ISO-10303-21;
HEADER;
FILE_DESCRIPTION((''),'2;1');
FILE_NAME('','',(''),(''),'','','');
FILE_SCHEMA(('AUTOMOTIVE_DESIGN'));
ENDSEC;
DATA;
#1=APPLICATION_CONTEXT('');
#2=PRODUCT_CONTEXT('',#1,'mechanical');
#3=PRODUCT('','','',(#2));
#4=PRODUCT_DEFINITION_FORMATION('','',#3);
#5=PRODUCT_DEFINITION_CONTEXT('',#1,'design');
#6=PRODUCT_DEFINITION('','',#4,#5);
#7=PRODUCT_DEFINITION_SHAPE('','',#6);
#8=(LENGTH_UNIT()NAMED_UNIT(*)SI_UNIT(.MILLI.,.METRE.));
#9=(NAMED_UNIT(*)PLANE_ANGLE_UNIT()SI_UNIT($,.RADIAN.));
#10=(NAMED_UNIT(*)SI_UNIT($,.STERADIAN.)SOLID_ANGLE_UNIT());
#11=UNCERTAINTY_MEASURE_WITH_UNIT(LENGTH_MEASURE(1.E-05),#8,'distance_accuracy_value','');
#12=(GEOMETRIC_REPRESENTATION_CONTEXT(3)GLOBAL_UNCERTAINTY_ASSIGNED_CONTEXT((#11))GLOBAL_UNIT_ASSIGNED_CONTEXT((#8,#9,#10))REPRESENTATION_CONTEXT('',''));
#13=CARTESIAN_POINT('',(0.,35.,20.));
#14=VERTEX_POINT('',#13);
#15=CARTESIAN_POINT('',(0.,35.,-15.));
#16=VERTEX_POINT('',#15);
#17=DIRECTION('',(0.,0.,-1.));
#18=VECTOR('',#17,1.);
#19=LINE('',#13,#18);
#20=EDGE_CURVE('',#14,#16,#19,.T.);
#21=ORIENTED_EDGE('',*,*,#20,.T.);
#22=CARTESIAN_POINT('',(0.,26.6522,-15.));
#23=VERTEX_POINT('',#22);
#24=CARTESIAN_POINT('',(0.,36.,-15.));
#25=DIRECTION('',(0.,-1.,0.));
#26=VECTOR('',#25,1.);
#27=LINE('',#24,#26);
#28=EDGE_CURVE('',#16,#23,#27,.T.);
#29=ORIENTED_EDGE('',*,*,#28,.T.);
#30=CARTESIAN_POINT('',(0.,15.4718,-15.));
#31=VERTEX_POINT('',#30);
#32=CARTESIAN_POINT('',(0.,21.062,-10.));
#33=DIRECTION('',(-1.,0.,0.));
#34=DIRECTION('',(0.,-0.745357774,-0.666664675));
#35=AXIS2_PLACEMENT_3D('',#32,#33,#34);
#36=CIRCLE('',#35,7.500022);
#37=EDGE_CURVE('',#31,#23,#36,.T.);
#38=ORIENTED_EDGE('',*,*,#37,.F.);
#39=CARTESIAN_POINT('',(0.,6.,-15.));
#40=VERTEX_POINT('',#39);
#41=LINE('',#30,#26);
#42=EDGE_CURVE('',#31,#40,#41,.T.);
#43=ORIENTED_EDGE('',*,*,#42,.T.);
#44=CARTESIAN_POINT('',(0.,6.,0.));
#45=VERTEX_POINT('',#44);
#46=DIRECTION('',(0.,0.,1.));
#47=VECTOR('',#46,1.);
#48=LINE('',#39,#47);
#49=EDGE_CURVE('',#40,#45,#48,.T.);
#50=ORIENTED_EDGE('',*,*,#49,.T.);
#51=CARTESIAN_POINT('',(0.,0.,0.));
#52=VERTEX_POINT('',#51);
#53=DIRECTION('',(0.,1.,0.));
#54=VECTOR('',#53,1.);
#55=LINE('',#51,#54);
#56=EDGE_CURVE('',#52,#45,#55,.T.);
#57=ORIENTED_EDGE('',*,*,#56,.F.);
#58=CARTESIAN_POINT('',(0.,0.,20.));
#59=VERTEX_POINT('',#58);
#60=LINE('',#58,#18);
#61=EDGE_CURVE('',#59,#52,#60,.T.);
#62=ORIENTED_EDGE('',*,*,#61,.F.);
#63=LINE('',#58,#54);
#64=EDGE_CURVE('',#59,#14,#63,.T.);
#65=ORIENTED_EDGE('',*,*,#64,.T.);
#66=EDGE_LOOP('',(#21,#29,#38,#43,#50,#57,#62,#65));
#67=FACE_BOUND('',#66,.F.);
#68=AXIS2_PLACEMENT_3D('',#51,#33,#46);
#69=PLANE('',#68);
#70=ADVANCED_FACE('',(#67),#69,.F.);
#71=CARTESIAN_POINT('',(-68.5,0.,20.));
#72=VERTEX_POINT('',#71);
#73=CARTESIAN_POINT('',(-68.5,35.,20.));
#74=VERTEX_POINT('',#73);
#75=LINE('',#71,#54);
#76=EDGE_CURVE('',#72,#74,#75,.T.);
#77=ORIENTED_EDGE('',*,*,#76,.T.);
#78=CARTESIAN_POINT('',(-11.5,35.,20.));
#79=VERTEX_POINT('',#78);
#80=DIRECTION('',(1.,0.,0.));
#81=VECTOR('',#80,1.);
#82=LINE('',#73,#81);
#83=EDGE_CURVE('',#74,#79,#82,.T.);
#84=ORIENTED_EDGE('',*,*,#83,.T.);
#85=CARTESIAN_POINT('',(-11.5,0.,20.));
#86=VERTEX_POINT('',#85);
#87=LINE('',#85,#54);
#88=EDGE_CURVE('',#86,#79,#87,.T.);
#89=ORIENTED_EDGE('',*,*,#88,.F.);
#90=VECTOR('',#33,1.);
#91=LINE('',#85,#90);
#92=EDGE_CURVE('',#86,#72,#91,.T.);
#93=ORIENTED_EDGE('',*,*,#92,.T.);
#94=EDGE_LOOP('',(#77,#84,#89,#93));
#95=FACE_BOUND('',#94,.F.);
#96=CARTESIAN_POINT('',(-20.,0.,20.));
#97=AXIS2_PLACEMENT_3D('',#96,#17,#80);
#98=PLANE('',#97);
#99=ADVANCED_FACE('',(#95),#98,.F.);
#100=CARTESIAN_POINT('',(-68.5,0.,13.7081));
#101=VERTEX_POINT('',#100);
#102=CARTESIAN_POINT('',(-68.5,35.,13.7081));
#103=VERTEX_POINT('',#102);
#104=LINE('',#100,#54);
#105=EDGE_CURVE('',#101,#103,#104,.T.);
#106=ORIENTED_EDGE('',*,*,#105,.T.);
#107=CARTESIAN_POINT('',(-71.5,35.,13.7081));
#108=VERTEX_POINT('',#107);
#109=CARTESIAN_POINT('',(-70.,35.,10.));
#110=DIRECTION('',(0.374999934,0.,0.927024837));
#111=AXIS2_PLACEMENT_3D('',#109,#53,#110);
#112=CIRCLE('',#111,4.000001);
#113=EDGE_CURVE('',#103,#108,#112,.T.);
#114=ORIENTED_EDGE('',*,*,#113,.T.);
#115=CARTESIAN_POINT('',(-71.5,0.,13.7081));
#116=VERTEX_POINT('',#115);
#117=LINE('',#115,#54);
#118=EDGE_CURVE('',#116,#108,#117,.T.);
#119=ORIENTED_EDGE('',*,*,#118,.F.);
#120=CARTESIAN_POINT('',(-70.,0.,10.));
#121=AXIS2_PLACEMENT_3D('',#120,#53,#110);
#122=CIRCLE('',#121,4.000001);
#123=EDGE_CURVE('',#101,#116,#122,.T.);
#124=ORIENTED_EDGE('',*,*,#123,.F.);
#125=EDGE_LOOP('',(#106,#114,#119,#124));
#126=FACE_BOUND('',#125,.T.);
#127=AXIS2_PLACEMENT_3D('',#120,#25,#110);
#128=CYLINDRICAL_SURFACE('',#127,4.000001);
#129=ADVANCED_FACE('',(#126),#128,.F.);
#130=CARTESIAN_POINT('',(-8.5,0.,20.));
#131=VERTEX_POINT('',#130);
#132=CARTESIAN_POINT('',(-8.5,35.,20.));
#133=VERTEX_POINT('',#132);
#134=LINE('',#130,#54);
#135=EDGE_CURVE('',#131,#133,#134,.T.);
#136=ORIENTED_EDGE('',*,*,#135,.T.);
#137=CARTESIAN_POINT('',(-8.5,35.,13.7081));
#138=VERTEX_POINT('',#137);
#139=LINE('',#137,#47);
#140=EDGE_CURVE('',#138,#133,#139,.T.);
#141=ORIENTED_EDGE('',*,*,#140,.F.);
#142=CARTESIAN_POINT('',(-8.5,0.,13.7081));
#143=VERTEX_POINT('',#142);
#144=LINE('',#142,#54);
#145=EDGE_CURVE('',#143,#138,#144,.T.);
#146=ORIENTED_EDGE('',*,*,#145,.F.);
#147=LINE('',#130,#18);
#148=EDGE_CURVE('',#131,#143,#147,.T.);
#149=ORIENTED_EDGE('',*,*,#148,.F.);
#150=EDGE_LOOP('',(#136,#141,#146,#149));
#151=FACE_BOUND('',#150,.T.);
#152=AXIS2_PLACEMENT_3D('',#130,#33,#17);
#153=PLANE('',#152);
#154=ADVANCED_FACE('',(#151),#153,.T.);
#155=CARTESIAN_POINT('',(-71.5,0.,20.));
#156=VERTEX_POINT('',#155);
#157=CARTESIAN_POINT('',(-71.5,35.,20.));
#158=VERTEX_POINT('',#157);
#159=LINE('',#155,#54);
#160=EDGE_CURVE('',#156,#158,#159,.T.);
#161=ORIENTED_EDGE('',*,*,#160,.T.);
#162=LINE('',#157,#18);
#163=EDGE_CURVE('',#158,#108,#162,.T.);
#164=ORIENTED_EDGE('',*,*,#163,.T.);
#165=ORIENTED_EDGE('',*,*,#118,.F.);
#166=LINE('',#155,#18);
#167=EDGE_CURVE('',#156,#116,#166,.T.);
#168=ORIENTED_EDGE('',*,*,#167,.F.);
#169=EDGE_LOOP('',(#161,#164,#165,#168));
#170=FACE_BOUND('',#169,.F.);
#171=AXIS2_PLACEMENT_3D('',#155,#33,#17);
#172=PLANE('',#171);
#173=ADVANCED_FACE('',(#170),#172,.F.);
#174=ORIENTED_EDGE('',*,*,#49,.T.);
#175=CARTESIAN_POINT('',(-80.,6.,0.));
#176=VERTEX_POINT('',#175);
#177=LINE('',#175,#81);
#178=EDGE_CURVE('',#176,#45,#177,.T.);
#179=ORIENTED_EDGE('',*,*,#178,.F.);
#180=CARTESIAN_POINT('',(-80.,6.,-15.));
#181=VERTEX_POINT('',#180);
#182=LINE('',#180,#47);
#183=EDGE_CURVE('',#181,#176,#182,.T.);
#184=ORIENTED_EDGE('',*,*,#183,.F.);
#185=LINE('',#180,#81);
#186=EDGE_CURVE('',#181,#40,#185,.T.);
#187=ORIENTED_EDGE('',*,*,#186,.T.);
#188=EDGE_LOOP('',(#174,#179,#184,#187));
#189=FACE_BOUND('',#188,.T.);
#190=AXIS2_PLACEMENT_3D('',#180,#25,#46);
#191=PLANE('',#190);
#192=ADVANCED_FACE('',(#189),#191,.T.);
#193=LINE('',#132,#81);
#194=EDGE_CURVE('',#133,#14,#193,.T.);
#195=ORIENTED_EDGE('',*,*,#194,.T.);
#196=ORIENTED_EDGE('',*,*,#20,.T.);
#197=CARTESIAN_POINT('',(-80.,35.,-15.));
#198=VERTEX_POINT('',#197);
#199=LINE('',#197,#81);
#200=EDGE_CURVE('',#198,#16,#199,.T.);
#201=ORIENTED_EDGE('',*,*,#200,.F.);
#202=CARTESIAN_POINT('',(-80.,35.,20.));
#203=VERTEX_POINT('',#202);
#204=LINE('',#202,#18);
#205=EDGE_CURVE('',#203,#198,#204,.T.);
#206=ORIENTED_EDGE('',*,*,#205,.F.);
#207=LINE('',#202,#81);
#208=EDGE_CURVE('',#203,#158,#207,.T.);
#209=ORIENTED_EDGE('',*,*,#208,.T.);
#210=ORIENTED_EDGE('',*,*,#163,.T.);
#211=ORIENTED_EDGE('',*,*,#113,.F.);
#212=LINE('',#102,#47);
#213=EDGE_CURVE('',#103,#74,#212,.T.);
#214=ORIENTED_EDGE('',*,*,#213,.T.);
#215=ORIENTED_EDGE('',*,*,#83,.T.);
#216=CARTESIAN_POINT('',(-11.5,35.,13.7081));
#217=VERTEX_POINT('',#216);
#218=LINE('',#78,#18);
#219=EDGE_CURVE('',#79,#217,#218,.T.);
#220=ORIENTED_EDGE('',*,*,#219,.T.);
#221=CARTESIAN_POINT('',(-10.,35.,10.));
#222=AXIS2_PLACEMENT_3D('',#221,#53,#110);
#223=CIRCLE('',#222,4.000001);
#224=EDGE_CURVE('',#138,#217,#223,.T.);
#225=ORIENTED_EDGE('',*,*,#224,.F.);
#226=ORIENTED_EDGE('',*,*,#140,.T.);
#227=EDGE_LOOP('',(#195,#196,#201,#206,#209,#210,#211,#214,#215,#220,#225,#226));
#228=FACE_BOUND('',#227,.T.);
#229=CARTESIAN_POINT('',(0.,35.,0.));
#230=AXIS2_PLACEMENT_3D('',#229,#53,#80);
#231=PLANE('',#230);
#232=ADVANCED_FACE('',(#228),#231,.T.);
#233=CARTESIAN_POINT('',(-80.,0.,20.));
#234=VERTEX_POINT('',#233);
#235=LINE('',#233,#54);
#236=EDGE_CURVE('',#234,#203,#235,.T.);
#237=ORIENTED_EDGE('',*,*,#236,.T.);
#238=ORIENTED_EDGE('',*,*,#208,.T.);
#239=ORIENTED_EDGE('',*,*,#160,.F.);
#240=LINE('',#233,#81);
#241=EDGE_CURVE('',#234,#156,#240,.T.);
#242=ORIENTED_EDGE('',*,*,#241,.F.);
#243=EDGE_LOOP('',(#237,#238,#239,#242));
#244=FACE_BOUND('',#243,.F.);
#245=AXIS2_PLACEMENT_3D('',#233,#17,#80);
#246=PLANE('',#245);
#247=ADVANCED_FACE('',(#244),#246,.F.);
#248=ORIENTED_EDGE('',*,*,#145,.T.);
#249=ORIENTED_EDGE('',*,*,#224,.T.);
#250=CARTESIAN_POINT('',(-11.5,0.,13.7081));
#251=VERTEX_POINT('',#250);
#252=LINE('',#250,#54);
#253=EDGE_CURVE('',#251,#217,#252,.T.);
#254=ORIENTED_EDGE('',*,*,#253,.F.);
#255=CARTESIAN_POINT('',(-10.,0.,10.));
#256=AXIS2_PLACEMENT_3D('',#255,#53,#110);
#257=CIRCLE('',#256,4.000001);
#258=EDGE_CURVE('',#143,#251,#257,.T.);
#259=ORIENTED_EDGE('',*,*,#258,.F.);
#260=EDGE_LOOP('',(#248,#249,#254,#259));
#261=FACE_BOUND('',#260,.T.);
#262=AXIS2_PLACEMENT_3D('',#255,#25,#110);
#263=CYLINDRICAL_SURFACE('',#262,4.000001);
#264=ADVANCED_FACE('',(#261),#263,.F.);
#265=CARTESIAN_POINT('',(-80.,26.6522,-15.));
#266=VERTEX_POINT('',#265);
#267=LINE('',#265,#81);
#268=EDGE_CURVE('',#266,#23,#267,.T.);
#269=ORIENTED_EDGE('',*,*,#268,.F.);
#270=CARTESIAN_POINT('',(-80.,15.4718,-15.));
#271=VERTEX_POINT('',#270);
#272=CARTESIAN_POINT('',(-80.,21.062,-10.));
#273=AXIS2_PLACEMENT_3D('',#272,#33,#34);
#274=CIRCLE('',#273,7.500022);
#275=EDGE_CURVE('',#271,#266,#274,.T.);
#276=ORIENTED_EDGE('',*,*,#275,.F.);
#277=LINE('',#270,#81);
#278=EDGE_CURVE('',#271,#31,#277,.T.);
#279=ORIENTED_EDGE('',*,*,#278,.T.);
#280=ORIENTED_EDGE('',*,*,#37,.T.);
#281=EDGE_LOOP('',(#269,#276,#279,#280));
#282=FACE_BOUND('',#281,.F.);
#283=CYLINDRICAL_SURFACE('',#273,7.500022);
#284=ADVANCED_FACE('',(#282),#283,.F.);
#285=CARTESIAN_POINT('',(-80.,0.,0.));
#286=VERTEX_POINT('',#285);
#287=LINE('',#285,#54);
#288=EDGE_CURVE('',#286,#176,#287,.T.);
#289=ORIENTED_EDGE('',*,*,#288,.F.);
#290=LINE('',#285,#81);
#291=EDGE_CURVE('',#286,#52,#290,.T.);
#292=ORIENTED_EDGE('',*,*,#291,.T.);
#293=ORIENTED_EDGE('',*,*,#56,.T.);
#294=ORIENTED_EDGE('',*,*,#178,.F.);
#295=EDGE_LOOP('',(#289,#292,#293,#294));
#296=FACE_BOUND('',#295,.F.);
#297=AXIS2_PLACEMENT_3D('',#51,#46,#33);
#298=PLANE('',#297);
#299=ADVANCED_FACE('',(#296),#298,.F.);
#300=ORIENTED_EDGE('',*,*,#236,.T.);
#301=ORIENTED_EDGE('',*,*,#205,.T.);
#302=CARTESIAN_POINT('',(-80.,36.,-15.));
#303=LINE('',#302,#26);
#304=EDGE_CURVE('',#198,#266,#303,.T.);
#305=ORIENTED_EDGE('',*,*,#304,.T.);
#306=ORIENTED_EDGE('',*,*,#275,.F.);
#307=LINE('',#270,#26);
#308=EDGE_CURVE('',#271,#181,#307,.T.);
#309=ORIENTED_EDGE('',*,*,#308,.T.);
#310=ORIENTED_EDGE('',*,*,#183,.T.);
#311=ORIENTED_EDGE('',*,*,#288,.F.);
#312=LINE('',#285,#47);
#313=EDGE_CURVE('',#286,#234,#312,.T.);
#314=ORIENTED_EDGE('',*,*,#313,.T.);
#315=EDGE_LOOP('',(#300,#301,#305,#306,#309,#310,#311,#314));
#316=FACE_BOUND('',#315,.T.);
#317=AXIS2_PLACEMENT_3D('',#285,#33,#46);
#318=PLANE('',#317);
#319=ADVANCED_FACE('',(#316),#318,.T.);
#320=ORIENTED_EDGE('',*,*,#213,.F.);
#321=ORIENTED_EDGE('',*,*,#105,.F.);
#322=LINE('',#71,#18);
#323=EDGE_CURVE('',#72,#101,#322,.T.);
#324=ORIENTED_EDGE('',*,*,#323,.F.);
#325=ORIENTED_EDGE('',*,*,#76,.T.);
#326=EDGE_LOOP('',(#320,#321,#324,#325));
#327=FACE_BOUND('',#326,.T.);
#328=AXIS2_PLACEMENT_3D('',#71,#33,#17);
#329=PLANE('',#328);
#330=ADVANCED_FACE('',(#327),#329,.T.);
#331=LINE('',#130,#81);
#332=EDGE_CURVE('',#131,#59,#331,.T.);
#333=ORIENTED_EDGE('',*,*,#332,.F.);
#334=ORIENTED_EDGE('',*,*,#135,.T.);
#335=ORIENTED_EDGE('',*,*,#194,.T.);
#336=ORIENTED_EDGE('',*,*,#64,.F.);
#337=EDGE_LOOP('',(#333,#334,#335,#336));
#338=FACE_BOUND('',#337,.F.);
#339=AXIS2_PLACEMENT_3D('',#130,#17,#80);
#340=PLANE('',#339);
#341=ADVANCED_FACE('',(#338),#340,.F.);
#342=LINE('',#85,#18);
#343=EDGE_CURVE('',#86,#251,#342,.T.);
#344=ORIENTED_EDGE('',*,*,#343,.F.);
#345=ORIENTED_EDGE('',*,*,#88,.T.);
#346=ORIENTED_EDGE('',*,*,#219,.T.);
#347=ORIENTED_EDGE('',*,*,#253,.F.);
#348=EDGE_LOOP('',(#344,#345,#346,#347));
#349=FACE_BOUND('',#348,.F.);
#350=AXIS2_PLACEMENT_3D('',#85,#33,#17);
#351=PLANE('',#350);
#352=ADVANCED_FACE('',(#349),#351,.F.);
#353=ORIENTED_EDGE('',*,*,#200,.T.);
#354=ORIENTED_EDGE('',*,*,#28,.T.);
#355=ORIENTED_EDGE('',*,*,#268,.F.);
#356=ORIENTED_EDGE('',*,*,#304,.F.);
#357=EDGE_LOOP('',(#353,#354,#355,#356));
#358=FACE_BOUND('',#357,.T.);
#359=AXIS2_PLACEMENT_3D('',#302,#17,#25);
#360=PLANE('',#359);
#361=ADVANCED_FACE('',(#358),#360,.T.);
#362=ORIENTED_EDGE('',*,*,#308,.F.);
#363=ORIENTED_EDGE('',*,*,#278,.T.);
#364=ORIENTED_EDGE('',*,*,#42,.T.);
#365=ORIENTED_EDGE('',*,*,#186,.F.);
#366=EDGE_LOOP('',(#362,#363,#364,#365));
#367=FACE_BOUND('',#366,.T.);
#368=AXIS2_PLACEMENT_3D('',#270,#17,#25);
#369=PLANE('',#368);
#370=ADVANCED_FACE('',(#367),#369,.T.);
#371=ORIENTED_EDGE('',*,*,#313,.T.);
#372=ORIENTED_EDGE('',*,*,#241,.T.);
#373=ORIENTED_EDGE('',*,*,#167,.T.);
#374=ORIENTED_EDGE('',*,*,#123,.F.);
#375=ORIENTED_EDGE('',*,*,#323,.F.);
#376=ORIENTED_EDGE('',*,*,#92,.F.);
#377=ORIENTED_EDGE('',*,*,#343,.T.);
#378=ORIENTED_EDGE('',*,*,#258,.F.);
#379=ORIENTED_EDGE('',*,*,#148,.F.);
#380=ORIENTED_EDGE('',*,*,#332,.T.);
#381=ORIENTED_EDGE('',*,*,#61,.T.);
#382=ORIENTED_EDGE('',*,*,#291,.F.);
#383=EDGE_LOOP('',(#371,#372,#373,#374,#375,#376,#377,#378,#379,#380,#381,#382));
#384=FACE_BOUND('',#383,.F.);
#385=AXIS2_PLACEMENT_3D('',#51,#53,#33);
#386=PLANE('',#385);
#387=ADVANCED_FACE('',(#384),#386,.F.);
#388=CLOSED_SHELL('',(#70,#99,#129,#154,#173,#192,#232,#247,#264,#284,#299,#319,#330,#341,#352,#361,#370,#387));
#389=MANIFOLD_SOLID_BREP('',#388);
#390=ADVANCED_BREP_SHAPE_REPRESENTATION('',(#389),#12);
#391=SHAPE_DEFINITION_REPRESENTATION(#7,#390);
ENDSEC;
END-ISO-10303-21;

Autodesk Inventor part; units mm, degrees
ref_plane "YZ Plane" through (0, 0, 0) normal (1, 0, 0) x (0, 1, 0)
ref_plane "XZ Plane" through (0, 0, 0) normal (0, 1, 0) x (-1, 0, 0)
ref_plane "XY Plane" through (0, 0, 0) normal (0, 0, 1) x (1, 0, 0)
sketch "Sketch1" plane through (0, 0, 0) normal (0, 1, 0) x (-1, 0, 0)
  arc A0 (8.5, 13.7081) -> (11.5, 13.7081) centre (10, 10) ccw
  line L0 (8.5, 20) -> (8.5, 13.7081)
  line L1 (11.5, 20) -> (11.5, 13.7081)
  line L2 (10, 20) -> (10, 18.7339)
  line L3 (20, 20) -> (10, 20)
  line L4 (8.5, 20) -> (0, 20)
  line L5 (0, 20) -> (0, 0)
  line L6 (0, 0) -> (20, 0)
  line L7 (20, 0) -> (20, 20)
  arc A1 (68.5, 13.7081) -> (71.5, 13.7081) centre (70, 10) ccw
  line L8 (68.5, 20) -> (68.5, 13.7081)
  line L9 (71.5, 20) -> (71.5, 13.7081)
  line L10 (70, 20) -> (70, 18.3732)
  line L11 (80, 20) -> (70, 20)
  line L12 (68.5, 20) -> (60.9559, 20)
  line L13 (60.9559, 20) -> (60.9559, 0)
  line L14 (60.9559, 0) -> (80, 0)
  line L15 (80, 0) -> (80, 20)
  line L16 (60.9559, 0) -> (20, 0)
  line L17 (20, 0) -> (20, 20)
  line L18 (20, 20) -> (60.9559, 20)
  line L19 (60.9559, 20) -> (60.9559, 0)
  dimension "d2" = 8
  dimension "d7" = 1.5
  dimension "d8" = 1.5
  dimension "d16" = 10
  dimension "d17" = 8
  dimension "d18" = 1.5
  dimension "d19" = 1.5
  dimension "d20" = 10
  dimension "d22" = 80
  dimension "d23" = 10
  dimension "d24" = 0
  dimension "d25" = 60
  dimension "d26" = 20
  dimension "d27" = 20
  dimension "d28" = 20
  dimension "d29" = 20
  dimension "d30" = 10
  dimension "d31" = 10
  dimension "d32" = 20
extrude "Extrusion1" add sketch "Sketch1" along normal blind 36
sketch "Sketch5" plane through (-80, 0, 0) normal (-1, 0, 0) x (0, 0, 1)
  line L0 (20, 0) -> (20, 36) projected
  line L1 (20, 36) -> (-15, 36)
  line L2 (-15, 6) -> (20, 6)
  line L3 (20, 6) -> (20, 36)
  line L4 (-15, 36) -> (-15, 26.6522)
  line L5 (-15, 15.4718) -> (-15, 6)
  line L6 (0, 0) -> (0, 36) projected
  line L7 (0, 0) -> (0, 36) projected
  line L8 (0, 6) -> (0, 36)
  arc A0 (-15, 15.4718) -> (-15, 26.6522) centre (-10, 21.062) ccw
  dimension "d40" = 30
  dimension "d41" = 35
  dimension "d45" = 20
  dimension "d85" = 15
  dimension "d86" = 5
  dimension "d87" = 15
extrude "Extrusion5" add sketch "Sketch5" against normal blind 80 contours L2 L5 A0 L4 L1 L6
sketch "Sketch13" plane through (0, 36, 0) normal (0, 1, 0) x (1, 0, 0)
  line L0 (-80, -20) -> (-80, 15) projected
  line L1 (-80, -20) -> (-71.5, -20) projected
  line L2 (-71.5, -20) -> (-71.5, -13.7081) projected
  arc A0 (-68.5, -13.7081) -> (-71.5, -13.7081) centre (-70, -10) ccw projected
  line L3 (-68.5, -13.7081) -> (-68.5, -20) projected
  line L4 (-68.5, -20) -> (-11.5, -20) projected
  line L5 (-11.5, -20) -> (-11.5, -13.7081) projected
  arc A1 (-8.5, -13.7081) -> (-11.5, -13.7081) centre (-10, -10) ccw projected
  line L6 (-8.5, -13.7081) -> (-8.5, -20) projected
  line L7 (-8.5, -20) -> (0, -20) projected
  line L8 (0, -20) -> (0, 15) projected
  line L9 (-80, 15) -> (0, 15) projected
  point P0 (0, 0)
extrude "Extrusion11" cut sketch "Sketch13" against normal blind 1
equation "\"d2\" = RodDiameter"
equation "\"d17\" = d2"
equation "\"RodDiameter\" = 8"
equation "\"VerticalBearingOD\" = 16"
equation "\"PrintingClearance\" = 0.2"
equation "\"d21\" = 8"
properties part number "GantryHolder"
